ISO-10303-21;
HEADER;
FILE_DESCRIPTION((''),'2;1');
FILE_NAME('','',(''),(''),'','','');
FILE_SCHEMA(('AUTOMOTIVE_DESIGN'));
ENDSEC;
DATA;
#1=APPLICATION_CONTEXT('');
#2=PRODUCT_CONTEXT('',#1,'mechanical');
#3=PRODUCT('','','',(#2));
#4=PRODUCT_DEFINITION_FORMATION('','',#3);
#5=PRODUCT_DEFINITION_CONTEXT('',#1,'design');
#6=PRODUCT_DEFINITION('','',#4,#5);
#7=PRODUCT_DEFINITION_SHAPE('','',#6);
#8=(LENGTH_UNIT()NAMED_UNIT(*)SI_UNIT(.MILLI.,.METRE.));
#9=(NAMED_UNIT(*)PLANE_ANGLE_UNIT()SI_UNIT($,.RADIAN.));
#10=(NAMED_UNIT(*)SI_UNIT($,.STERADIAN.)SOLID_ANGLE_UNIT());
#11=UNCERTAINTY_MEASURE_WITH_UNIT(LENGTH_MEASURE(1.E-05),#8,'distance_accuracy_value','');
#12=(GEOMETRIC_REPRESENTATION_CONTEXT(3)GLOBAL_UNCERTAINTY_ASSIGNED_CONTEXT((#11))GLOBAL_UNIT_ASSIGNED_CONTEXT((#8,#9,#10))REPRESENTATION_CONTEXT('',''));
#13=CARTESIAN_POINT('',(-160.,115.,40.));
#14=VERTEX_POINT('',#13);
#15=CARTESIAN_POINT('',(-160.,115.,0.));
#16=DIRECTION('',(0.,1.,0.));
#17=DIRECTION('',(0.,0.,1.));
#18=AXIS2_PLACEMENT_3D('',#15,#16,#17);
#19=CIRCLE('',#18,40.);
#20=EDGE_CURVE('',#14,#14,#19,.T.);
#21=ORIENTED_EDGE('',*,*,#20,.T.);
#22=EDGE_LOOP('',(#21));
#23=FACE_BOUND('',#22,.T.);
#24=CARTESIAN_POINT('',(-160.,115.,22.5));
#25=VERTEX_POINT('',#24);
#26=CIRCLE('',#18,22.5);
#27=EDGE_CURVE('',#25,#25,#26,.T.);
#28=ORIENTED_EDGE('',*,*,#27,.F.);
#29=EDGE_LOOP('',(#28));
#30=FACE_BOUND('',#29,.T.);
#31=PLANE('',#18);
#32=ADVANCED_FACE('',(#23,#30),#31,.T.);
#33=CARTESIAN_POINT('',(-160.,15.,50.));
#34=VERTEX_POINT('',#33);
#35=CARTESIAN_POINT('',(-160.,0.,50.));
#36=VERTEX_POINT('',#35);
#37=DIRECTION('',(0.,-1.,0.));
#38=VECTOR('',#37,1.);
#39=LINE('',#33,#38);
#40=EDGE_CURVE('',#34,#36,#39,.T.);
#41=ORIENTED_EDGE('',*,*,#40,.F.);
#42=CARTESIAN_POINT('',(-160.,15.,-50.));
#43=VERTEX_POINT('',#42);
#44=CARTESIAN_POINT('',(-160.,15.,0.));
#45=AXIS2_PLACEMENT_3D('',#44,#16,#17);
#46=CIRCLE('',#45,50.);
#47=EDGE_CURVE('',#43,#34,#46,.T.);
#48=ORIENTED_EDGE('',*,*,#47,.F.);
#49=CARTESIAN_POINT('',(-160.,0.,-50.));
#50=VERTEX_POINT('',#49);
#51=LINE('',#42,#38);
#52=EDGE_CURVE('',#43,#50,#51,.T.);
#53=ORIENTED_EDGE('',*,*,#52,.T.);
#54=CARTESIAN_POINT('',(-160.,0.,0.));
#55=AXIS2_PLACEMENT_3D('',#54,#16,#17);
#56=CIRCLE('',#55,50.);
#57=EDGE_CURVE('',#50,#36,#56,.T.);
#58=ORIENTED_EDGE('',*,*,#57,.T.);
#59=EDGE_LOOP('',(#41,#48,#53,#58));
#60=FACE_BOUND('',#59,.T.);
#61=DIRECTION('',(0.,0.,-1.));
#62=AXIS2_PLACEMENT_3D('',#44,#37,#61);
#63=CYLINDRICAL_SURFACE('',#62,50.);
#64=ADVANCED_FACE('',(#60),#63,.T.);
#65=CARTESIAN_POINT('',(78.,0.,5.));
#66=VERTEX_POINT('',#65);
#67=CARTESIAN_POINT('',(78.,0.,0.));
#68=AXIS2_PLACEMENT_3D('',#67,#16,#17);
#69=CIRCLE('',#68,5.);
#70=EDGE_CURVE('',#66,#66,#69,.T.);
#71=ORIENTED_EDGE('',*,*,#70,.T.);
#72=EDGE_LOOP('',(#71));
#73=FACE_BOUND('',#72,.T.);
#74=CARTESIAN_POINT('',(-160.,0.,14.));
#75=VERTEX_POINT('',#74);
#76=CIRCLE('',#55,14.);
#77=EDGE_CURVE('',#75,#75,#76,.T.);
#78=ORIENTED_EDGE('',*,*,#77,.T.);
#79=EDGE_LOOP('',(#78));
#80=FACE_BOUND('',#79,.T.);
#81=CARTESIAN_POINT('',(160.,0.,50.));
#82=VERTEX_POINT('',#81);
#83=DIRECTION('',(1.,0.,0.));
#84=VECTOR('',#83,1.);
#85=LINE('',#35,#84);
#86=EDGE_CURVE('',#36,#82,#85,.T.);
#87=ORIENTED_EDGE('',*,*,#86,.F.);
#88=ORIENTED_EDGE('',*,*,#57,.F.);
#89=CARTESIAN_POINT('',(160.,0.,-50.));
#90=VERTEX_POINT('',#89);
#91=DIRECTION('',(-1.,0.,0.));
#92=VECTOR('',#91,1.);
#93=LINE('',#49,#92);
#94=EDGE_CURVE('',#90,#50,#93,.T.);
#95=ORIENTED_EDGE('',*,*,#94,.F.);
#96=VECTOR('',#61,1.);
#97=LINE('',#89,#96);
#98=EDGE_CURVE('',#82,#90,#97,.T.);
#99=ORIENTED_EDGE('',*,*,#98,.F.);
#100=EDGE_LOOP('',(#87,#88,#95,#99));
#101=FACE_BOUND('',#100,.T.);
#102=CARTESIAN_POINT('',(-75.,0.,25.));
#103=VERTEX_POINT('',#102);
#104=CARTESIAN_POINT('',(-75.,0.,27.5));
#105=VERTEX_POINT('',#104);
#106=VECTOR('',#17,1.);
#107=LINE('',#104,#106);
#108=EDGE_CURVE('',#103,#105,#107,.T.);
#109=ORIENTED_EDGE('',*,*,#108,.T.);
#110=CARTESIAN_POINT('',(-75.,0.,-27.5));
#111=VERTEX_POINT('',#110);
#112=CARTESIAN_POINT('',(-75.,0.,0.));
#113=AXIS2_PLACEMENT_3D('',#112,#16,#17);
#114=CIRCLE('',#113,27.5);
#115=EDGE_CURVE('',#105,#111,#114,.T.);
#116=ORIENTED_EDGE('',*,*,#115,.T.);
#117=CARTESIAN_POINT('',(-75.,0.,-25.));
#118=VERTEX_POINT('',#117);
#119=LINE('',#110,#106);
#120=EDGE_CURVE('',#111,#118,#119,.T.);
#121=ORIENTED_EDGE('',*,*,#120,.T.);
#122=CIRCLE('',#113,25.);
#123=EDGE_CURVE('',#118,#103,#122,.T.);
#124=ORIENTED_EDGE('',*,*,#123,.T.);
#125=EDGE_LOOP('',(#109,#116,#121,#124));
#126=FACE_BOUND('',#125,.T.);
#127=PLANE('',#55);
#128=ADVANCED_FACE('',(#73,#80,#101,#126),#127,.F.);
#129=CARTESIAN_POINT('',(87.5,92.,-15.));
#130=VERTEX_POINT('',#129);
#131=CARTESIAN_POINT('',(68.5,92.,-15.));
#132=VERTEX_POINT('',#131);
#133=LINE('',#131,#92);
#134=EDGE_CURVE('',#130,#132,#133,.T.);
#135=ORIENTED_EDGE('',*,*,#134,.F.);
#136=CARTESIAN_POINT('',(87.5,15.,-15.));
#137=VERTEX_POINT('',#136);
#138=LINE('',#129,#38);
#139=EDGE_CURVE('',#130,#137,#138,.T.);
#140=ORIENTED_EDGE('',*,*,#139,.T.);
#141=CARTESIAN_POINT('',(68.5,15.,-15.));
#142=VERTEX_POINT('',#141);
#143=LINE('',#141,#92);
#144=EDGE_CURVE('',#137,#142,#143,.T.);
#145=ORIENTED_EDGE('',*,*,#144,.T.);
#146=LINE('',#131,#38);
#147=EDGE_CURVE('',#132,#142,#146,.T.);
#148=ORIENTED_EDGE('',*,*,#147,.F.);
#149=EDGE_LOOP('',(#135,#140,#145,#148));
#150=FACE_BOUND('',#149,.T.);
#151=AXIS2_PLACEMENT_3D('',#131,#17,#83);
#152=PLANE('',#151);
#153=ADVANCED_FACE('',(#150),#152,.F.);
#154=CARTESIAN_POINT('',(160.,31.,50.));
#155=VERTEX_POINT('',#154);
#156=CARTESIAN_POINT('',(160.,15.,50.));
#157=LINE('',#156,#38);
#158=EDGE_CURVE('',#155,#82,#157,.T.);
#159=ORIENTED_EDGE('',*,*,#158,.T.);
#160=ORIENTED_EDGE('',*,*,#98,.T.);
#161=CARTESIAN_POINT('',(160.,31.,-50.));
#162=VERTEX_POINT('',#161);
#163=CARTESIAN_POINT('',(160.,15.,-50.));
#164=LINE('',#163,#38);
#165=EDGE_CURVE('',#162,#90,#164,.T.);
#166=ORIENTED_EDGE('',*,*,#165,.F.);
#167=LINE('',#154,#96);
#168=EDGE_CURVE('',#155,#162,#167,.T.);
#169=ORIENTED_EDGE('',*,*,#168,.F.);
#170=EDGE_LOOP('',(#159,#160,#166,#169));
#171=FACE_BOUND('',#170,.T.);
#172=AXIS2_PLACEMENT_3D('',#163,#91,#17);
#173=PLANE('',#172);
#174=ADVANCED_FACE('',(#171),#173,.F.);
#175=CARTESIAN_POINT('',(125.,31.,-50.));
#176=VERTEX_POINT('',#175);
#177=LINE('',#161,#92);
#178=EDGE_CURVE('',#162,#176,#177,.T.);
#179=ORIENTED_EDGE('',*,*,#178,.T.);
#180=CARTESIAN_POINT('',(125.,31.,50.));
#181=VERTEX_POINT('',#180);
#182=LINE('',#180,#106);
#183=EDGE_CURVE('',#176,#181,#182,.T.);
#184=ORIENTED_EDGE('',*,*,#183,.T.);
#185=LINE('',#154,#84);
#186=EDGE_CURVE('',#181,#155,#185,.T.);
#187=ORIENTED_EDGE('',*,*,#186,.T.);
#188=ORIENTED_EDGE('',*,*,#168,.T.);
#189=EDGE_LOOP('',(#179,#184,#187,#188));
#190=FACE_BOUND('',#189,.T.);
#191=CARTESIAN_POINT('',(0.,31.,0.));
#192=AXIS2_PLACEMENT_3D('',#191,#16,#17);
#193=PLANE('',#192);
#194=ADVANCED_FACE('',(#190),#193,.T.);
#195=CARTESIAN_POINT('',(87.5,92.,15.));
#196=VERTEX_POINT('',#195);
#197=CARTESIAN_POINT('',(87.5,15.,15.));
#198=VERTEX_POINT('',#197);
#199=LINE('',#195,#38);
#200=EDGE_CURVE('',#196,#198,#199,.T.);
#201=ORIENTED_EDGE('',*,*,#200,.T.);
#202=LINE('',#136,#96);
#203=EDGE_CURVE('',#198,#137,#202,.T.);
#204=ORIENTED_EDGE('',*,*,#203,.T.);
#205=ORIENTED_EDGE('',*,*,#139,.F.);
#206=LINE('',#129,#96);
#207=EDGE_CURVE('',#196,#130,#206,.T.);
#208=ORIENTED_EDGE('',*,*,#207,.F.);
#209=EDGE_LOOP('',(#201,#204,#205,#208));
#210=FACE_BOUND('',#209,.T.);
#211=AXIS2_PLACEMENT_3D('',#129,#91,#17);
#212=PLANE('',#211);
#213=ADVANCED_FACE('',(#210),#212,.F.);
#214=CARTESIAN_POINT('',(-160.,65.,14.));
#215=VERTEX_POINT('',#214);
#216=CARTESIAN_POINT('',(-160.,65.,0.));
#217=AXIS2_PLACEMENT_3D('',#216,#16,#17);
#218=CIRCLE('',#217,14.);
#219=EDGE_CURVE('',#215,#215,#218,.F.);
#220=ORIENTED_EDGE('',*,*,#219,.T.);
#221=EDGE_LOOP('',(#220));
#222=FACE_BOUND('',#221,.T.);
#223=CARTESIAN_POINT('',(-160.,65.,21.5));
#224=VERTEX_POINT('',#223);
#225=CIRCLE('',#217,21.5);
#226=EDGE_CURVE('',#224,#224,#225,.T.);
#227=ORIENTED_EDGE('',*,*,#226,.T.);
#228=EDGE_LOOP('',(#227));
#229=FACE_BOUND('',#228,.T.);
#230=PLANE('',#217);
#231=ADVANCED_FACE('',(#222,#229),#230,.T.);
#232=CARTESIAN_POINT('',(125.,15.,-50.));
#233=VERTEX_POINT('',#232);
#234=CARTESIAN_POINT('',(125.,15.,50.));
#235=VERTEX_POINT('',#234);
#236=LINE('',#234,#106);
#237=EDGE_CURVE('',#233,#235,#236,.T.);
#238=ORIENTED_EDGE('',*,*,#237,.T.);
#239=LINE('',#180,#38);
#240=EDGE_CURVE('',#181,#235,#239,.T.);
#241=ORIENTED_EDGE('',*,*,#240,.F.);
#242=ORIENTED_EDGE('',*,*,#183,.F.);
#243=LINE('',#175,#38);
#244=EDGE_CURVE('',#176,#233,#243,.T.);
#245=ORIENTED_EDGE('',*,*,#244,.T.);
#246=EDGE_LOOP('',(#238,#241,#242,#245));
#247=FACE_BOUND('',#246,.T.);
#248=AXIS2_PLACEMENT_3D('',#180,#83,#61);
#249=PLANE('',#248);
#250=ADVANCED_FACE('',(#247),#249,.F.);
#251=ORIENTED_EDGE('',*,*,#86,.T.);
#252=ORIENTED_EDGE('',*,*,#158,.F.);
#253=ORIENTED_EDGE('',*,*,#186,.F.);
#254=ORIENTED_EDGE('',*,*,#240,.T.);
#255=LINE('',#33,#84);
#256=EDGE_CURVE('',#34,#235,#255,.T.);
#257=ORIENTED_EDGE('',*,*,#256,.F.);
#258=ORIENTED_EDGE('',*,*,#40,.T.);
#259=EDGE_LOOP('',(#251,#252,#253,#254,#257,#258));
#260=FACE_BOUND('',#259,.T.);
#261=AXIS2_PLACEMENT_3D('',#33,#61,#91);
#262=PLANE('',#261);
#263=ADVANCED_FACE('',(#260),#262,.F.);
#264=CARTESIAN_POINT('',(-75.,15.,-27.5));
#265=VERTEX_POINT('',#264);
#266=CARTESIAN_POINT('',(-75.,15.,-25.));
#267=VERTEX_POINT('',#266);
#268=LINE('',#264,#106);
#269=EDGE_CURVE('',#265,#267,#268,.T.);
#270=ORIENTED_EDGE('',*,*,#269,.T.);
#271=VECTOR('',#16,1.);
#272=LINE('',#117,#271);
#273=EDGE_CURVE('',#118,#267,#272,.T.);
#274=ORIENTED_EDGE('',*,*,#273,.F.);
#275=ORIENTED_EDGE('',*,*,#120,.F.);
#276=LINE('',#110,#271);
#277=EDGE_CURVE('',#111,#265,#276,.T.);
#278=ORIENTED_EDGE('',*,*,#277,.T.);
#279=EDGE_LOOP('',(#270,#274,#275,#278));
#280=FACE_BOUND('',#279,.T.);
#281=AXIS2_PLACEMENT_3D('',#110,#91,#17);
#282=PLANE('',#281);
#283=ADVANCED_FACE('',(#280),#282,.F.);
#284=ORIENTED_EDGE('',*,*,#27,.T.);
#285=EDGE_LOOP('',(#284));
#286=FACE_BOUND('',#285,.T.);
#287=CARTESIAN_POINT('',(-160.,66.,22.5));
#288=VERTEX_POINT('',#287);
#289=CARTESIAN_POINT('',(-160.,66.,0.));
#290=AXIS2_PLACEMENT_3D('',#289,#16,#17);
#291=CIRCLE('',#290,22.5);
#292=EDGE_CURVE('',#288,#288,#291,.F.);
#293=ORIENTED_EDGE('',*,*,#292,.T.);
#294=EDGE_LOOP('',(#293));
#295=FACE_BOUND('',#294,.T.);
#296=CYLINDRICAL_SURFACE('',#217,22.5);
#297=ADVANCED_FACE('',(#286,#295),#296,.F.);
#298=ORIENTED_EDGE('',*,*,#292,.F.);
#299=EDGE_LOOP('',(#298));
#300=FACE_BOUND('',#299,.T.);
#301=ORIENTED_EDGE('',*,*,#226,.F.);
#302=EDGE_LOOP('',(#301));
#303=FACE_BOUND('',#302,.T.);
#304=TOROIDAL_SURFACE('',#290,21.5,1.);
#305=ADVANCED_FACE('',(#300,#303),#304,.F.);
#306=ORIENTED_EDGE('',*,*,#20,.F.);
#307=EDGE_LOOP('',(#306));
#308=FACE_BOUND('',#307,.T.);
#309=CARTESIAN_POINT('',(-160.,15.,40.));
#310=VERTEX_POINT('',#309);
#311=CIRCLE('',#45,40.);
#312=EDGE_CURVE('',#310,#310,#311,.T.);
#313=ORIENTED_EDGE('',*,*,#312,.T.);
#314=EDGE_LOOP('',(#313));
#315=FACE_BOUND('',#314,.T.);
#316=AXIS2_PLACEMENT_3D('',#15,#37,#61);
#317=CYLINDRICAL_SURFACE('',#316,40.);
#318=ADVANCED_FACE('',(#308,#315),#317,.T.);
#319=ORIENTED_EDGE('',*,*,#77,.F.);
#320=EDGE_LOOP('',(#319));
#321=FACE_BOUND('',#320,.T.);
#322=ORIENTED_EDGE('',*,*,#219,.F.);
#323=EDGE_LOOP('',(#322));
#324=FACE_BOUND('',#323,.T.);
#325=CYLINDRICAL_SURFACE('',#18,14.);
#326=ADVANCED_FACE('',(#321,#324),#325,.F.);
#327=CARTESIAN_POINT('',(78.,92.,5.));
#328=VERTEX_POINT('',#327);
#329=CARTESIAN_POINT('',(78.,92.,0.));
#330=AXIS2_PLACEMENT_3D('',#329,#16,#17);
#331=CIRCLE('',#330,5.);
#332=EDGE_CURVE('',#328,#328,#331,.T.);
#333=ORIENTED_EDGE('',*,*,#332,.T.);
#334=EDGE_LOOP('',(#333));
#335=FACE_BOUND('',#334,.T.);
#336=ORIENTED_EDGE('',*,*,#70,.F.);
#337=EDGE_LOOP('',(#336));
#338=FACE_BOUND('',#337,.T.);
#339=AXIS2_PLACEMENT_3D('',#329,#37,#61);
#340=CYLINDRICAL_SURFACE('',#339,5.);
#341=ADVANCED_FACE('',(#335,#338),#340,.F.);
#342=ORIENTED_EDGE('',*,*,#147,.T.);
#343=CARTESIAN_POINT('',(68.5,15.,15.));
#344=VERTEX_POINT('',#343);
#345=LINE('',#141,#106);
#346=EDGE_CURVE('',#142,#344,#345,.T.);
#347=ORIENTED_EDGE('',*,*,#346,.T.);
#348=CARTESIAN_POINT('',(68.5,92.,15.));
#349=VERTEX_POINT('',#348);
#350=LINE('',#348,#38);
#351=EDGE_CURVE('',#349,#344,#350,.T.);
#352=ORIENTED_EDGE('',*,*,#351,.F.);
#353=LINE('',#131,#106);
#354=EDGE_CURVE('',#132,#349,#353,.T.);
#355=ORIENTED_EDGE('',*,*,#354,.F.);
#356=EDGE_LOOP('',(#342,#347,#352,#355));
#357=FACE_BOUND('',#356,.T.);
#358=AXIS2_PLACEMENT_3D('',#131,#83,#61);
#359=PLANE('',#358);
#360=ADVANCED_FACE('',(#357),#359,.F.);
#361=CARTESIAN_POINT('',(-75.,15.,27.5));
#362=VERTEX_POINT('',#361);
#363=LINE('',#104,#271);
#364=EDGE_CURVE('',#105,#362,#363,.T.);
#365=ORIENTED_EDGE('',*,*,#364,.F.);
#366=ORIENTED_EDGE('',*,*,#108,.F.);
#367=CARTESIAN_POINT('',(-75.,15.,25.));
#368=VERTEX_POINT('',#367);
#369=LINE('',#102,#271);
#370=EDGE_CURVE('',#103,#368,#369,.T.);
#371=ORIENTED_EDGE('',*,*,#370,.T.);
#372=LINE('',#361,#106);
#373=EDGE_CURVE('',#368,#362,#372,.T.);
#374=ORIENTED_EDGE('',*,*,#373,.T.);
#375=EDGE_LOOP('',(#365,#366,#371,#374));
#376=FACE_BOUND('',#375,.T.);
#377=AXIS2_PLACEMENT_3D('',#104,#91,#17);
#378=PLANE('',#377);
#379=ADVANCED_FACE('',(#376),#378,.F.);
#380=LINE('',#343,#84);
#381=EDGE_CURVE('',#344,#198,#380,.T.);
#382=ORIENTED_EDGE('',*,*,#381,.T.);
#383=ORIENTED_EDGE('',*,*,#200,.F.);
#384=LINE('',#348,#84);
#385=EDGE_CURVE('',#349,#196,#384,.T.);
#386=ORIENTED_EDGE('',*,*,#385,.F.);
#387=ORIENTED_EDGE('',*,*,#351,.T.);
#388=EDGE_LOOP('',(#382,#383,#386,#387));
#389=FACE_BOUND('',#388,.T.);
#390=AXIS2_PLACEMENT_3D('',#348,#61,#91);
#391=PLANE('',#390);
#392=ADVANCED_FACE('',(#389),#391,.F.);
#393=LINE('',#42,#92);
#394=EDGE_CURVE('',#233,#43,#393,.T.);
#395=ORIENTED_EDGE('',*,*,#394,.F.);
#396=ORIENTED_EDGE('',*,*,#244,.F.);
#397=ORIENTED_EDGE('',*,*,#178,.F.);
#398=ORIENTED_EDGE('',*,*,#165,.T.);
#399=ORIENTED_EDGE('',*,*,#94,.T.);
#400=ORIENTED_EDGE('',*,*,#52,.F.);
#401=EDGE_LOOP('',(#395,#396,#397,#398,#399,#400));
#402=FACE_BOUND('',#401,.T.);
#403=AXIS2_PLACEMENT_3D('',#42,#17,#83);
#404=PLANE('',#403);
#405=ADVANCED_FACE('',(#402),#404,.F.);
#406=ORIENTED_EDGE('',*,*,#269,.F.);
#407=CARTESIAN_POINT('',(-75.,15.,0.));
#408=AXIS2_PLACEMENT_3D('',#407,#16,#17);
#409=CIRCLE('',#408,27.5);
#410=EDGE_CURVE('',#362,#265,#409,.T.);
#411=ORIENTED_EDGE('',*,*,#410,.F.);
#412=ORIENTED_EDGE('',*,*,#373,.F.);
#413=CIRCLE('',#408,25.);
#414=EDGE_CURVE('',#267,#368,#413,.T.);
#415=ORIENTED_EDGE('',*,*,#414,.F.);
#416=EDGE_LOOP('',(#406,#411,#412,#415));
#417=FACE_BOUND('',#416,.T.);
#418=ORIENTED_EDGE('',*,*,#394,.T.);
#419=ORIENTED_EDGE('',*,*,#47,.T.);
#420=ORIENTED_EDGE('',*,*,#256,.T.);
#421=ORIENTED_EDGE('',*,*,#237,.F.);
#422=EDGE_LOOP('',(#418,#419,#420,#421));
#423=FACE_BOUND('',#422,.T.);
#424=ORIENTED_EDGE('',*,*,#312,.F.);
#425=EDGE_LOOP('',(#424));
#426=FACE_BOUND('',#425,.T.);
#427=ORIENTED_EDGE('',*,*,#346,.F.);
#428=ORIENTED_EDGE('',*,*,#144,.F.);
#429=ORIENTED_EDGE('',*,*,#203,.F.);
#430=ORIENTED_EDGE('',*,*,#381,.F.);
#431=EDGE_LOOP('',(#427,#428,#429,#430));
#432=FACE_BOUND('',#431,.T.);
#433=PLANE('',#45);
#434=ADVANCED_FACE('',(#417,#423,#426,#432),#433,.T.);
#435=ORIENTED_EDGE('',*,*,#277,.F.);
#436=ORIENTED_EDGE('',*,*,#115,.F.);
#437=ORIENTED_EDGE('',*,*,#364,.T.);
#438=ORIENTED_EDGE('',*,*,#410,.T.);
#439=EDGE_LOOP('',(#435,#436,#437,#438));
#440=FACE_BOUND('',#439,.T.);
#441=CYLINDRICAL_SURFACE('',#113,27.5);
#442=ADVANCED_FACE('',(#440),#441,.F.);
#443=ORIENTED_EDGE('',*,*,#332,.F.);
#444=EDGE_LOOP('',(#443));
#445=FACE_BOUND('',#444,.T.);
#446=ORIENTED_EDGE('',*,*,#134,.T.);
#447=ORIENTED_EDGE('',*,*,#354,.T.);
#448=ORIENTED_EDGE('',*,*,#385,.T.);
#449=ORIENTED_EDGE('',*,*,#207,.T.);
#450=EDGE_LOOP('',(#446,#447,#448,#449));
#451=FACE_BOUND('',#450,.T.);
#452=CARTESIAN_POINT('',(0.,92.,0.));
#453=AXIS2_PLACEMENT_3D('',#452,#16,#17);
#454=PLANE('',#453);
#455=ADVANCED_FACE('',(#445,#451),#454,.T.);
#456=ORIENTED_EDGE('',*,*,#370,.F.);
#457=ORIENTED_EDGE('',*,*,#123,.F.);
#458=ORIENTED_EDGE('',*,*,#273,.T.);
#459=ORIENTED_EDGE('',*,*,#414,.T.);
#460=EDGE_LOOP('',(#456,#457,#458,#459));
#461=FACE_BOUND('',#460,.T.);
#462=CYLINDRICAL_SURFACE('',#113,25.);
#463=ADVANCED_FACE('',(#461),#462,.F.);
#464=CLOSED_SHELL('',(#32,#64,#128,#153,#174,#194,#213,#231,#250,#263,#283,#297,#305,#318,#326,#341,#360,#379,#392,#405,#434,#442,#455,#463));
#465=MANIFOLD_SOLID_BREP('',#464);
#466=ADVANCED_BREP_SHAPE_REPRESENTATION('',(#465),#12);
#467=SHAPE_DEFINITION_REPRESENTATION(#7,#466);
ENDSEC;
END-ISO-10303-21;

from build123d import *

# Parameters (mm, degrees)
BOSS_EXTRUDE1_DEPTH          = 15
SKETCH3_R                    = 40
BOSS_EXTRUDE2_DEPTH          = 100
TAP_DRILL_FOR_M30X2_0_TAP1_D = 28
SKETCH5_R                    = 22.5
CUT_EXTRUDE1_DEPTH           = 50
SKETCH6_W                    = 35
SKETCH6_H                    = 100
BOSS_EXTRUDE3_DEPTH          = 16
SKETCH7_R                    = 15
CUT_EXTRUDE2_DEPTH           = 238.907545067
SKETCH8_W                    = 19
SKETCH8_H                    = 30
SKETCH8_R                    = 5
BOSS_EXTRUDE4_DEPTH          = 77
CUT_EXTRUDE3_DEPTH           = 238.907545067
SKETCH10_R                   = 5
CUT_EXTRUDE4_DEPTH           = 238.907545067
FILLET1_R                    = 1


with BuildPart() as part:
    # Sketch2 → Boss-Extrude1 (new body)
    with BuildSketch(Plane(origin=(0, 0, 0), x_dir=(1, 0, 0), z_dir=(0, 1, 0))):
        with BuildLine():
            Line((-160, 50), (160, 50))
            Line((160, 50), (160, -50))
            Line((160, -50), (-160, -50))
            ThreePointArc((-160, -50), (-210, 0), (-160, 50))
        make_face()
    extrude(amount=BOSS_EXTRUDE1_DEPTH)

    # Sketch3 → Boss-Extrude2 (add)
    with BuildSketch(Plane(origin=(0, 15, 0), x_dir=(1, 0, 0), z_dir=(0, 1, 0))):
        with Locations(Location((-160, 0, 0), (0, 0, 270))):
            Circle(SKETCH3_R)
    extrude(amount=BOSS_EXTRUDE2_DEPTH)

    # Tap Drill for M30x2.0 Tap1 (through all)
    with Locations(Plane(origin=(-160, 115, 0), x_dir=(0, 0, 1), z_dir=(0, 1, 0))):
        with Locations((0, 0)):
            Hole(TAP_DRILL_FOR_M30X2_0_TAP1_D / 2)

    # Sketch5 → Cut-Extrude1 (cut)
    with BuildSketch(Plane(origin=(0, 115, 0), x_dir=(1, 0, 0), z_dir=(0, 1, 0))):
        with Locations(Location((-160, 0, 0), (0, 0, 270))):
            Circle(SKETCH5_R)
    extrude(amount=-CUT_EXTRUDE1_DEPTH, mode=Mode.SUBTRACT)

    # Sketch6 → Boss-Extrude3 (add)
    with BuildSketch(Plane(origin=(0, 15, 0), x_dir=(1, 0, 0), z_dir=(0, 1, 0))):
        with Locations((142.5, 0)):
            Rectangle(SKETCH6_W, SKETCH6_H)
    extrude(amount=BOSS_EXTRUDE3_DEPTH)

    # Sketch7 → Cut-Extrude2 (cut, through all)
    with BuildSketch(Plane(origin=(0, 15, 0), x_dir=(1, 0, 0), z_dir=(0, 1, 0))):
        with Locations(Location((-75, 0, 0), (0, 0, 270))):
            Circle(SKETCH7_R)
    extrude(amount=-CUT_EXTRUDE2_DEPTH, mode=Mode.SUBTRACT)

    # Sketch8 → Boss-Extrude4 (add)
    with BuildSketch(Plane(origin=(0, 15, 0), x_dir=(1, 0, 0), z_dir=(0, 1, 0))):
        with Locations((78, 0)):
            Rectangle(SKETCH8_W, SKETCH8_H)
        with Locations(Location((78, 0, 0), (0, 0, 270))):
            Circle(SKETCH8_R, mode=Mode.SUBTRACT)
    extrude(amount=BOSS_EXTRUDE4_DEPTH)

    # Sketch9 → Cut-Extrude3 (cut, through all)
    with BuildSketch(Plane(origin=(0, 15, 0), x_dir=(1, 0, 0), z_dir=(0, 1, 0))):
        with BuildLine():
            Line((-75, -27.5), (-75, -25))
            ThreePointArc((-75, -25), (-100, 0), (-75, 25))
            Line((-75, 25), (-75, 27.5))
            ThreePointArc((-75, 27.5), (-47.5, 0), (-75, -27.5))
        make_face()
    extrude(amount=-CUT_EXTRUDE3_DEPTH, mode=Mode.SUBTRACT)

    # Sketch10 → Cut-Extrude4 (cut, through all)
    with BuildSketch(Plane(origin=(0, 15, 0), x_dir=(1, 0, 0), z_dir=(0, 1, 0))):
        with Locations(Location((78, 0, 0), (0, 0, 270))):
            Circle(SKETCH10_R)
    extrude(amount=-CUT_EXTRUDE4_DEPTH, mode=Mode.SUBTRACT)

    # Fillet1
    fillet1_edges = [part.edges().sort_by_distance(p)[0] for p in [
        (-160, 65, -22.5),
    ]]
    fillet(fillet1_edges, radius=FILLET1_R)


solid = part.part
